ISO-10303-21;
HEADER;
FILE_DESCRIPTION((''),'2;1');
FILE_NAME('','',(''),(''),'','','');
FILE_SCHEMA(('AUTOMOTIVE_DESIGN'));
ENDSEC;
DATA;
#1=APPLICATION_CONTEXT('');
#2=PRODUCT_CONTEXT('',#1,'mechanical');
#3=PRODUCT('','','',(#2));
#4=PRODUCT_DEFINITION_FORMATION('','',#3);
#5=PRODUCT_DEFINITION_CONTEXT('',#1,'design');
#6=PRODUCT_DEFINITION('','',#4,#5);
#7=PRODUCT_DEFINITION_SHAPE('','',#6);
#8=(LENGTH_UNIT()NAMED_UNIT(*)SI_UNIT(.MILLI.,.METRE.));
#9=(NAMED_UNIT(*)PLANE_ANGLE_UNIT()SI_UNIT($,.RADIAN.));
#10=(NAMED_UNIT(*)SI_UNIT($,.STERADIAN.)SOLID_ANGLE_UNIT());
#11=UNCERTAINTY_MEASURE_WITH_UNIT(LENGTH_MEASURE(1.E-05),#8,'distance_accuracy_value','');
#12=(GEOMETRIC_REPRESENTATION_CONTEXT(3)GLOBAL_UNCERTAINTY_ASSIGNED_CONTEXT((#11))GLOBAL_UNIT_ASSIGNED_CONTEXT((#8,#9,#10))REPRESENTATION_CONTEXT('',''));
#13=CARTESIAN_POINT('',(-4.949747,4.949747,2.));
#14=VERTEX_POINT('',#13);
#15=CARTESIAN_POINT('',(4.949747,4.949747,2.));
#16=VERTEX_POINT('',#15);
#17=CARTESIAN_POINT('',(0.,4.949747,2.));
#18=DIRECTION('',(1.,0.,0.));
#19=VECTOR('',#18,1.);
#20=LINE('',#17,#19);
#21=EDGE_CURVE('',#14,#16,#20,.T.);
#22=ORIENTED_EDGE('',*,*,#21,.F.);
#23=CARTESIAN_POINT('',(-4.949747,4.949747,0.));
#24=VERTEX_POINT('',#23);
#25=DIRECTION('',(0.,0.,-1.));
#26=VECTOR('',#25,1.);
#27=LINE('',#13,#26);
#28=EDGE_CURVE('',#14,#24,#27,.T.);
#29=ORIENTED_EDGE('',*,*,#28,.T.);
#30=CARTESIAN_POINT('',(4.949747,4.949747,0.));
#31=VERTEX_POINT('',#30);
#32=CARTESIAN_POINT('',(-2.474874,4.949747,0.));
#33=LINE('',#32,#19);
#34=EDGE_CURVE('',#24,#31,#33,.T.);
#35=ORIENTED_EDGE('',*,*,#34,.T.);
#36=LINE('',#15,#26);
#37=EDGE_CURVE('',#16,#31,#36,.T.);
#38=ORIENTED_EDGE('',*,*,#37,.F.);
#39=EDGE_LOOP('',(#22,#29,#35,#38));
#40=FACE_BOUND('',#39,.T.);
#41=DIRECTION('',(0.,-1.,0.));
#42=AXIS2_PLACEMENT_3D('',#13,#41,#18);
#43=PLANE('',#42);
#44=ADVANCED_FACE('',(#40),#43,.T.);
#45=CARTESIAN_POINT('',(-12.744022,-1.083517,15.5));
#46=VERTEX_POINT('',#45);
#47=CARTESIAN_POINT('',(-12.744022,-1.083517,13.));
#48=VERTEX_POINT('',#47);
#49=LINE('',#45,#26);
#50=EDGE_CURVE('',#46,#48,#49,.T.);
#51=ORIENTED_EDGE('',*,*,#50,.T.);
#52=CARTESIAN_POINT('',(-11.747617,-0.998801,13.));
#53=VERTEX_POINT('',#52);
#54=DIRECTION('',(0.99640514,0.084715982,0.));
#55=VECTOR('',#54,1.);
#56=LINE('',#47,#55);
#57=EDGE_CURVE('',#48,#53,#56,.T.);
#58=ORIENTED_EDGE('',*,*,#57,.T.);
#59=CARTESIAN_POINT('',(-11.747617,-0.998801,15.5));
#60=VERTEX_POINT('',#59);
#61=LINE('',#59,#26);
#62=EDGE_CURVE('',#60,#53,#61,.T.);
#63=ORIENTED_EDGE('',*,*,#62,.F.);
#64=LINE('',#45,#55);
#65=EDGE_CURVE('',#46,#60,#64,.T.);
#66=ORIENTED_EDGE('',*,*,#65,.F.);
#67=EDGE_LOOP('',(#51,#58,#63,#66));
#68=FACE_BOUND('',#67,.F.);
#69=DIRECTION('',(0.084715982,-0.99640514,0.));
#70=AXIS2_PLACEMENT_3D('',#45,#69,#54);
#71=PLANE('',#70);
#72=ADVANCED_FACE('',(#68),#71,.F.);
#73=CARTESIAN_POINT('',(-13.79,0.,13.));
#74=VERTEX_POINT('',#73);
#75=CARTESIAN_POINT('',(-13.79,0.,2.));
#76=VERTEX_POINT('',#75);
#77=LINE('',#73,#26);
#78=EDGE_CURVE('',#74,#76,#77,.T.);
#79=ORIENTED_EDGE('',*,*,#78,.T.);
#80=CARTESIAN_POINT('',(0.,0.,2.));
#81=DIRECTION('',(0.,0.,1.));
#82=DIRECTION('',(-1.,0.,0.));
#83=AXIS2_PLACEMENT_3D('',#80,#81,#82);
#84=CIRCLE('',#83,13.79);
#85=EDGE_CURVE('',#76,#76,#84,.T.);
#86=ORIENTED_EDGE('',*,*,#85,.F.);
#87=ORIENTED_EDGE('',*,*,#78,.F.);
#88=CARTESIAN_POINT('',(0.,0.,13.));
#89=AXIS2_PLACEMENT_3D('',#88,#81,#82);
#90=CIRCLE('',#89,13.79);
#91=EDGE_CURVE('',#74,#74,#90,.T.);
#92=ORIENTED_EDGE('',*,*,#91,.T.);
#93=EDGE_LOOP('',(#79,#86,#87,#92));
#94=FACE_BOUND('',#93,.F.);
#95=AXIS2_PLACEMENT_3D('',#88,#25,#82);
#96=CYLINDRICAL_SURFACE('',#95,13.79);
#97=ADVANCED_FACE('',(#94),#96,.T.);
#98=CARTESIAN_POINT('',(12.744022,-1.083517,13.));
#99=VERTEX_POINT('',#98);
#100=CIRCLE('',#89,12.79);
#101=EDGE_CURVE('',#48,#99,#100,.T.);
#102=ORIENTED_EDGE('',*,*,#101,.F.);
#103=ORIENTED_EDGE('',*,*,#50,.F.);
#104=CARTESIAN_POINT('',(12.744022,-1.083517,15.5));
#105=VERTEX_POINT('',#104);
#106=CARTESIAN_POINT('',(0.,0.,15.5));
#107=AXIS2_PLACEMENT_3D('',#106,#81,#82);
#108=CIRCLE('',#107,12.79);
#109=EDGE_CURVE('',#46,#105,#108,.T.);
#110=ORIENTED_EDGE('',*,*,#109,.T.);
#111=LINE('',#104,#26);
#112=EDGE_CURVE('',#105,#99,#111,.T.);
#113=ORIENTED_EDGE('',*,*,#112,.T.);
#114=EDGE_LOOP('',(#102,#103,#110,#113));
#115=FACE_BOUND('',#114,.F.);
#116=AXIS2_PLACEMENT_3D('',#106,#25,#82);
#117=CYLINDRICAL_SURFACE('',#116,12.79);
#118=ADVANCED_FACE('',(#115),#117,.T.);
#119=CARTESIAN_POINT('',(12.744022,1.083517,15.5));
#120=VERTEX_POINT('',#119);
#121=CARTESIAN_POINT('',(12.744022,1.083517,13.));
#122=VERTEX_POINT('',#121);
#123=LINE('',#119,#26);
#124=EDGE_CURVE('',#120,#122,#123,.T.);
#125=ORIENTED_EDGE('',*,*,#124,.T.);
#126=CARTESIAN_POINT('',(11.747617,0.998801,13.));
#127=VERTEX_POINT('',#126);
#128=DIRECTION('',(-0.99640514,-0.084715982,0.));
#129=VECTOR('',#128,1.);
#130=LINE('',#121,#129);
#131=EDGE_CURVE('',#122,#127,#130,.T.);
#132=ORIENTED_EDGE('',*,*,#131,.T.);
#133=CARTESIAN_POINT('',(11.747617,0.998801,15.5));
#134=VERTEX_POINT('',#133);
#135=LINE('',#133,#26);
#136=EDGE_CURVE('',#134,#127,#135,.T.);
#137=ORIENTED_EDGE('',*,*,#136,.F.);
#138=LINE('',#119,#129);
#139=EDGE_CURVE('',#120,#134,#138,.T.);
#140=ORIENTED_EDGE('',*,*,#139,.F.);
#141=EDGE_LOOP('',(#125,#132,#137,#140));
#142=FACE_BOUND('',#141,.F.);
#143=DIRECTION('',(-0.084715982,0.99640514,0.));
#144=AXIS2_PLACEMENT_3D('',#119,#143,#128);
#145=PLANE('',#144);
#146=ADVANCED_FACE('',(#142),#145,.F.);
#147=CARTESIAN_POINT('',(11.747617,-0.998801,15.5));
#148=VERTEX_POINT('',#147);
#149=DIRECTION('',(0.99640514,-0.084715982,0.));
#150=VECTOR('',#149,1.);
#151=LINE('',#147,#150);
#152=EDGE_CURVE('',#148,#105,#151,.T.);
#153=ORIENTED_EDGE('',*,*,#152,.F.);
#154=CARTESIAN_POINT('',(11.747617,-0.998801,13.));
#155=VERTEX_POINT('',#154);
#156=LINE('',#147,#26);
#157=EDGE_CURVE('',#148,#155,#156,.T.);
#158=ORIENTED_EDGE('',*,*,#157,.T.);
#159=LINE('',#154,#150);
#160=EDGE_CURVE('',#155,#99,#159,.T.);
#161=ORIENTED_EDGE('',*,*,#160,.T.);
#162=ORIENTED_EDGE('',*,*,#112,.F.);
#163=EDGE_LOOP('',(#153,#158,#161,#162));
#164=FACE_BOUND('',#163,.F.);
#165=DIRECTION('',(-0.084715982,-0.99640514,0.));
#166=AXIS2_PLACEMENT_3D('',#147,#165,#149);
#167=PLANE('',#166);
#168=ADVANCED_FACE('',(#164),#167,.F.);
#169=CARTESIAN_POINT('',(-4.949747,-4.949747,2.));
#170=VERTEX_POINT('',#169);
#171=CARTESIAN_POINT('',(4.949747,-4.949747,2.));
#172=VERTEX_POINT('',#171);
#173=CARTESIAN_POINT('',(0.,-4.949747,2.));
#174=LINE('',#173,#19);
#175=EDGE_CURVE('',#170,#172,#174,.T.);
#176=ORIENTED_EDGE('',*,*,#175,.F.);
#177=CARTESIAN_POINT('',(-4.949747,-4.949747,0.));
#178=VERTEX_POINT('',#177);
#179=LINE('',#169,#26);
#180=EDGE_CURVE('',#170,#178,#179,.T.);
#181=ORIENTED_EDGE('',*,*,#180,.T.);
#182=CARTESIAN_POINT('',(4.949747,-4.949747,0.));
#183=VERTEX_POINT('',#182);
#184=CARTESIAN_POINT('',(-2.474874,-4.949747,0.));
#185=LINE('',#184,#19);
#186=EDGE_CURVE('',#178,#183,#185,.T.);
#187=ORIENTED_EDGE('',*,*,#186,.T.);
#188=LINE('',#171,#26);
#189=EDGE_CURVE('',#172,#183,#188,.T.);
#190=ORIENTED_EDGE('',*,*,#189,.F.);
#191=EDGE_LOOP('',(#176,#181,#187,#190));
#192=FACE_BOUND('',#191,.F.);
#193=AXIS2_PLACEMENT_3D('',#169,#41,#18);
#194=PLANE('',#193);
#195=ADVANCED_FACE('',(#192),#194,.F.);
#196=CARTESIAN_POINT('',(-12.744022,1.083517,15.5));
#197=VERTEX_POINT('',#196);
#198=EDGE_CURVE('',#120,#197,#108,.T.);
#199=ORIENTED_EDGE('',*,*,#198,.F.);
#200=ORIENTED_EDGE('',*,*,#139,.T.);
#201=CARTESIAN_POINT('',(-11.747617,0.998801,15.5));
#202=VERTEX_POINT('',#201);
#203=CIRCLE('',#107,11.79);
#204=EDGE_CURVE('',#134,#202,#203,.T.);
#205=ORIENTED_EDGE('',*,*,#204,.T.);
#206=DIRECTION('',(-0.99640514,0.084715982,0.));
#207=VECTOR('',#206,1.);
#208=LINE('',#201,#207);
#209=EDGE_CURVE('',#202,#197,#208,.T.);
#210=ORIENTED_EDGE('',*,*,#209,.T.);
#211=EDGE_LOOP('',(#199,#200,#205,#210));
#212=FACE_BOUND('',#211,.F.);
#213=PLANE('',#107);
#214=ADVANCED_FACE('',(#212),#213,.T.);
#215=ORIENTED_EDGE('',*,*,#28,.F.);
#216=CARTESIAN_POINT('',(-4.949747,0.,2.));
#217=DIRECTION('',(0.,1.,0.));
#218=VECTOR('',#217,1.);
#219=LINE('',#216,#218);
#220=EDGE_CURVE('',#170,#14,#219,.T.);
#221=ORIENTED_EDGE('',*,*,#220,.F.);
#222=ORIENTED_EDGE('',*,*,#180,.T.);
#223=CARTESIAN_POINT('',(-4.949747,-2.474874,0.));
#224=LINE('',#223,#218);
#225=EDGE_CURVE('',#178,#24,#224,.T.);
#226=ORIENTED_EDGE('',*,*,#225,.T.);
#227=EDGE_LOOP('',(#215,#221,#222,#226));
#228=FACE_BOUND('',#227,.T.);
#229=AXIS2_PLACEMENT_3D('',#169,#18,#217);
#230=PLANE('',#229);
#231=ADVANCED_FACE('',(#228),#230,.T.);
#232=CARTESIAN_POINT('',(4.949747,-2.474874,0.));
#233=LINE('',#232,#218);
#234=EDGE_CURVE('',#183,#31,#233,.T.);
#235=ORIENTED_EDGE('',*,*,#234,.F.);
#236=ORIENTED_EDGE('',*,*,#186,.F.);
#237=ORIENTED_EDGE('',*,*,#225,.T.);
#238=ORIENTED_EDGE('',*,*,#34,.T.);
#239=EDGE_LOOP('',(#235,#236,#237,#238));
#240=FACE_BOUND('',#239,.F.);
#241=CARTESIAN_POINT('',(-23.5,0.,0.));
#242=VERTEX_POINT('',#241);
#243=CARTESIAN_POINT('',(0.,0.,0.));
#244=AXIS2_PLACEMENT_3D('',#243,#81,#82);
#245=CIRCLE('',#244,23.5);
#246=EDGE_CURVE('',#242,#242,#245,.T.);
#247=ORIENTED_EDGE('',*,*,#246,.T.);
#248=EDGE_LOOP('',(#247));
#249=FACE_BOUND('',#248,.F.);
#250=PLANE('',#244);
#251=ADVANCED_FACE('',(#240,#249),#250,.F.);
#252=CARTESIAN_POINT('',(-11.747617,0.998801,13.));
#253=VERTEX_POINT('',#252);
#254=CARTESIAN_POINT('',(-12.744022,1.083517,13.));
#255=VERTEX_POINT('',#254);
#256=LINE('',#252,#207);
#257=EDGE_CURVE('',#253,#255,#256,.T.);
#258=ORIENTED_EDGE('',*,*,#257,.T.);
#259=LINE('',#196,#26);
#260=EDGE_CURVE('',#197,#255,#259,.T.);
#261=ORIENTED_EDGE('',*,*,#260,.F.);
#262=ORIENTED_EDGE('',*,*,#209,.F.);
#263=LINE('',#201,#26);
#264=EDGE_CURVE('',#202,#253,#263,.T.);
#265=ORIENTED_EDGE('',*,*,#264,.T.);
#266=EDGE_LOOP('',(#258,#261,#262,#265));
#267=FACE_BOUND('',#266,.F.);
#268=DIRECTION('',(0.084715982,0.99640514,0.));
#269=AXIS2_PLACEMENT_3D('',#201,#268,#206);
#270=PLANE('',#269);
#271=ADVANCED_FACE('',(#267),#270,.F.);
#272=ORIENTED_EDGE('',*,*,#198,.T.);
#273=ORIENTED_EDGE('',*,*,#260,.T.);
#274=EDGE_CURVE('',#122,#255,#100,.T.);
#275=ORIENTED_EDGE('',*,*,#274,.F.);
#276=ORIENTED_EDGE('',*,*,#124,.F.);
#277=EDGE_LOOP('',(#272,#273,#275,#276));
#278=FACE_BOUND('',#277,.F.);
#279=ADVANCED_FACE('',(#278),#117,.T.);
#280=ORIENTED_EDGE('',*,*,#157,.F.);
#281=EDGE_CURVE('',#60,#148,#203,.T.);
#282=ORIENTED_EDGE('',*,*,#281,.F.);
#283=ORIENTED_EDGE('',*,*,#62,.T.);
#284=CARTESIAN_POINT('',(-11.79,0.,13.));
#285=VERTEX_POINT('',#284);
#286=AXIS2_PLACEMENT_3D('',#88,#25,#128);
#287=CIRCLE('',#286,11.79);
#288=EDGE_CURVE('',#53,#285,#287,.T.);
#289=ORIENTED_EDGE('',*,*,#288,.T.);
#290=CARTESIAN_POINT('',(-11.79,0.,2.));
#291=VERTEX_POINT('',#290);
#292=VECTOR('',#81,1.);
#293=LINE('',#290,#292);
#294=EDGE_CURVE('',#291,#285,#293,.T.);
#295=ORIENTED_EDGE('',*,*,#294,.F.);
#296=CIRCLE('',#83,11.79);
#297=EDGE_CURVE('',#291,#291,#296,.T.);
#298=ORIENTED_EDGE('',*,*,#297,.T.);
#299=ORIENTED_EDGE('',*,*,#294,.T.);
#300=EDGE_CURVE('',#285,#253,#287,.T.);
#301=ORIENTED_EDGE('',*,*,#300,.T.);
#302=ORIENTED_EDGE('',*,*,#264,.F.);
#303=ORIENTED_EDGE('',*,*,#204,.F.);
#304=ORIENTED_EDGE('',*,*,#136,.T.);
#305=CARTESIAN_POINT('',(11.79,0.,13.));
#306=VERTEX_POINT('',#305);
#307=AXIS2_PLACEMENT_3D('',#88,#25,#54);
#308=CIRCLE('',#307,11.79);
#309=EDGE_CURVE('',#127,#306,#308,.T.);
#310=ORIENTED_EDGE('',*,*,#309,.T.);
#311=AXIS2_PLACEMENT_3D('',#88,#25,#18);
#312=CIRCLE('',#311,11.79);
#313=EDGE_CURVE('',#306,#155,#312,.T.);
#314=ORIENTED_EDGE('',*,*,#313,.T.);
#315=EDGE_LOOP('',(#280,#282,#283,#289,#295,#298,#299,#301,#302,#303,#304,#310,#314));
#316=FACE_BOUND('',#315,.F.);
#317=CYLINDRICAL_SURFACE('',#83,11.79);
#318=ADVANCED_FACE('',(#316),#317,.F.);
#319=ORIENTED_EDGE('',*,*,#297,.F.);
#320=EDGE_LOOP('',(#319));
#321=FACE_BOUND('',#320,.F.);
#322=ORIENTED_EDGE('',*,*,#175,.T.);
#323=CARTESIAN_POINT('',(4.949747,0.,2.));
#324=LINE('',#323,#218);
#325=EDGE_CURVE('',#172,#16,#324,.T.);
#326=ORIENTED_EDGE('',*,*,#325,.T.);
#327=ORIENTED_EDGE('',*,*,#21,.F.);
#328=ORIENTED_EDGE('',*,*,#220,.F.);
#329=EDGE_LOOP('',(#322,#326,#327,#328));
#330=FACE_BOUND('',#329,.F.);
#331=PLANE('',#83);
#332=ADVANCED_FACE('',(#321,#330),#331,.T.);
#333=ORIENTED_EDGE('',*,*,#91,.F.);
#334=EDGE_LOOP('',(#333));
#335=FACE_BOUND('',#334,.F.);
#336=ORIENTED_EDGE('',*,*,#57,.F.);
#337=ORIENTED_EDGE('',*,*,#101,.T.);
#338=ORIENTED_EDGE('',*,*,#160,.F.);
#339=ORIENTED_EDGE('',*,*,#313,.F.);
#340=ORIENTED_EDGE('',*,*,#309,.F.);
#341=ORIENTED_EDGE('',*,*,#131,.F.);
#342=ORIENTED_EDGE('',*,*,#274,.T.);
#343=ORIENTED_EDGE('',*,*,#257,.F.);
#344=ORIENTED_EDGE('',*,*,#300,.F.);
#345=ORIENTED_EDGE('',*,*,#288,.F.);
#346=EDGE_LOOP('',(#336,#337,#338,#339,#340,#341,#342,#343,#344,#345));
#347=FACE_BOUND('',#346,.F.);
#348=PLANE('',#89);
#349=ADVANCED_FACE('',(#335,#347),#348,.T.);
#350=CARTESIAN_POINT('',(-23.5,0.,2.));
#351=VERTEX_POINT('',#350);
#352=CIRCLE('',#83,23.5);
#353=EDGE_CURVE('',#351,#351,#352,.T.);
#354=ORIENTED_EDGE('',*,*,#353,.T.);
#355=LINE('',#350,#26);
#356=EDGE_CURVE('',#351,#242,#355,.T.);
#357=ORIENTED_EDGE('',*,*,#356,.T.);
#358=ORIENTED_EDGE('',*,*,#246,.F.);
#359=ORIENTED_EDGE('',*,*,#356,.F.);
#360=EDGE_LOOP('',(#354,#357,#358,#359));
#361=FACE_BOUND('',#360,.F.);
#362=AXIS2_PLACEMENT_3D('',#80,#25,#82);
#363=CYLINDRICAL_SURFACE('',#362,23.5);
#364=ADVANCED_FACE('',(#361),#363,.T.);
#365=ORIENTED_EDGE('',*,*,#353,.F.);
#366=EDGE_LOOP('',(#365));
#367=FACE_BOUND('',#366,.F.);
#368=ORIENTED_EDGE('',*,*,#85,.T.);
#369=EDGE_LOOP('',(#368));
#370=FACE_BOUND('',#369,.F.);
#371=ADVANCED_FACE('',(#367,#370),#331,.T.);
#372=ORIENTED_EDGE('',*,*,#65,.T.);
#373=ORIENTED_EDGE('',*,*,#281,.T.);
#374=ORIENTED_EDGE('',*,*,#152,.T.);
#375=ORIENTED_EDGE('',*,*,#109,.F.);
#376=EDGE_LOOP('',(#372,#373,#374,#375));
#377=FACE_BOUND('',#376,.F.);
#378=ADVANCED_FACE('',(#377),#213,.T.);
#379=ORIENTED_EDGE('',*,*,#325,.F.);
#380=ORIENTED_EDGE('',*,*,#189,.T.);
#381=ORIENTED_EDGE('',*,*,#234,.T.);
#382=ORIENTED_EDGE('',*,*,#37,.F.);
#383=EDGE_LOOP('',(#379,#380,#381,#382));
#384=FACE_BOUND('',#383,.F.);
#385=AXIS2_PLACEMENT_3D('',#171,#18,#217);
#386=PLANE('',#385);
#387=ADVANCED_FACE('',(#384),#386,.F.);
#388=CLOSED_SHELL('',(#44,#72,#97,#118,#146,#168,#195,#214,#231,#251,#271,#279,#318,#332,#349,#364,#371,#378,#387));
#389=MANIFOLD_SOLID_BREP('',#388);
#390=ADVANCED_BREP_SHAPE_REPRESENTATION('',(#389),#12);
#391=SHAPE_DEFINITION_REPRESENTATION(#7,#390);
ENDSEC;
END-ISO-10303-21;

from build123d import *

# Parameters (mm, degrees)
F3_DEPTH = 2.5
F4_W     = 9.8994949366
F4_H     = 9.8994949366
F5_DEPTH = 2.001


with BuildPart() as f1:
    # F0 (on Front) → F1 (revolve)
    with BuildSketch(Plane.XZ):
        Polygon((-23.5, 0), (0, 0), (0, 2), (-11.79, 2), (-11.79, 13), (-11.79, 15.5), (-12.79, 15.5), (-12.79, 13), (-13.79, 13), (-13.79, 2), (-23.5, 2), align=None)
    revolve(axis=Axis((0, 0, 1), (0, 0, 1)))

    # F2 (on face) → F3 (cut, through all)
    with BuildSketch(Plane.XY.offset(15.5)):
        with BuildLine():
            Line((-11.7476165971, 0.9988014258), (-12.7440217368, 1.0835174076))
            ThreePointArc((-12.7440217368, 1.0835174076), (-12.79, 0), (-12.7440217368, -1.0835174076))
            Line((-12.7440217368, -1.0835174076), (-11.7476165971, -0.9988014258))
            ThreePointArc((-11.7476165971, -0.9988014258), (-11.79, 0), (-11.7476165971, 0.9988014258))
        make_face()
        with BuildLine():
            ThreePointArc((12.7440217368, -1.0835174076), (12.7785002644, -0.5422462479), (12.79, 0))
            ThreePointArc((12.79, 0), (12.7785002644, 0.5422462479), (12.7440217368, 1.0835174076))
            Line((12.7440217368, 1.0835174076), (11.7476165971, 0.9988014258))
            ThreePointArc((11.7476165971, 0.9988014258), (11.7793993837, 0.4998501378), (11.79, 0))
            ThreePointArc((11.79, 0), (11.7793993837, -0.4998501378), (11.7476165971, -0.9988014258))
            Line((11.7476165971, -0.9988014258), (12.7440217368, -1.0835174076))
        make_face()
    extrude(amount=-F3_DEPTH, mode=Mode.SUBTRACT)

    # F4 (on face) → F5 (cut, through all)
    with BuildSketch(Plane.XY.offset(2)):
        Rectangle(F4_W, F4_H)
    extrude(amount=-F5_DEPTH, mode=Mode.SUBTRACT)


solid = f1.part
